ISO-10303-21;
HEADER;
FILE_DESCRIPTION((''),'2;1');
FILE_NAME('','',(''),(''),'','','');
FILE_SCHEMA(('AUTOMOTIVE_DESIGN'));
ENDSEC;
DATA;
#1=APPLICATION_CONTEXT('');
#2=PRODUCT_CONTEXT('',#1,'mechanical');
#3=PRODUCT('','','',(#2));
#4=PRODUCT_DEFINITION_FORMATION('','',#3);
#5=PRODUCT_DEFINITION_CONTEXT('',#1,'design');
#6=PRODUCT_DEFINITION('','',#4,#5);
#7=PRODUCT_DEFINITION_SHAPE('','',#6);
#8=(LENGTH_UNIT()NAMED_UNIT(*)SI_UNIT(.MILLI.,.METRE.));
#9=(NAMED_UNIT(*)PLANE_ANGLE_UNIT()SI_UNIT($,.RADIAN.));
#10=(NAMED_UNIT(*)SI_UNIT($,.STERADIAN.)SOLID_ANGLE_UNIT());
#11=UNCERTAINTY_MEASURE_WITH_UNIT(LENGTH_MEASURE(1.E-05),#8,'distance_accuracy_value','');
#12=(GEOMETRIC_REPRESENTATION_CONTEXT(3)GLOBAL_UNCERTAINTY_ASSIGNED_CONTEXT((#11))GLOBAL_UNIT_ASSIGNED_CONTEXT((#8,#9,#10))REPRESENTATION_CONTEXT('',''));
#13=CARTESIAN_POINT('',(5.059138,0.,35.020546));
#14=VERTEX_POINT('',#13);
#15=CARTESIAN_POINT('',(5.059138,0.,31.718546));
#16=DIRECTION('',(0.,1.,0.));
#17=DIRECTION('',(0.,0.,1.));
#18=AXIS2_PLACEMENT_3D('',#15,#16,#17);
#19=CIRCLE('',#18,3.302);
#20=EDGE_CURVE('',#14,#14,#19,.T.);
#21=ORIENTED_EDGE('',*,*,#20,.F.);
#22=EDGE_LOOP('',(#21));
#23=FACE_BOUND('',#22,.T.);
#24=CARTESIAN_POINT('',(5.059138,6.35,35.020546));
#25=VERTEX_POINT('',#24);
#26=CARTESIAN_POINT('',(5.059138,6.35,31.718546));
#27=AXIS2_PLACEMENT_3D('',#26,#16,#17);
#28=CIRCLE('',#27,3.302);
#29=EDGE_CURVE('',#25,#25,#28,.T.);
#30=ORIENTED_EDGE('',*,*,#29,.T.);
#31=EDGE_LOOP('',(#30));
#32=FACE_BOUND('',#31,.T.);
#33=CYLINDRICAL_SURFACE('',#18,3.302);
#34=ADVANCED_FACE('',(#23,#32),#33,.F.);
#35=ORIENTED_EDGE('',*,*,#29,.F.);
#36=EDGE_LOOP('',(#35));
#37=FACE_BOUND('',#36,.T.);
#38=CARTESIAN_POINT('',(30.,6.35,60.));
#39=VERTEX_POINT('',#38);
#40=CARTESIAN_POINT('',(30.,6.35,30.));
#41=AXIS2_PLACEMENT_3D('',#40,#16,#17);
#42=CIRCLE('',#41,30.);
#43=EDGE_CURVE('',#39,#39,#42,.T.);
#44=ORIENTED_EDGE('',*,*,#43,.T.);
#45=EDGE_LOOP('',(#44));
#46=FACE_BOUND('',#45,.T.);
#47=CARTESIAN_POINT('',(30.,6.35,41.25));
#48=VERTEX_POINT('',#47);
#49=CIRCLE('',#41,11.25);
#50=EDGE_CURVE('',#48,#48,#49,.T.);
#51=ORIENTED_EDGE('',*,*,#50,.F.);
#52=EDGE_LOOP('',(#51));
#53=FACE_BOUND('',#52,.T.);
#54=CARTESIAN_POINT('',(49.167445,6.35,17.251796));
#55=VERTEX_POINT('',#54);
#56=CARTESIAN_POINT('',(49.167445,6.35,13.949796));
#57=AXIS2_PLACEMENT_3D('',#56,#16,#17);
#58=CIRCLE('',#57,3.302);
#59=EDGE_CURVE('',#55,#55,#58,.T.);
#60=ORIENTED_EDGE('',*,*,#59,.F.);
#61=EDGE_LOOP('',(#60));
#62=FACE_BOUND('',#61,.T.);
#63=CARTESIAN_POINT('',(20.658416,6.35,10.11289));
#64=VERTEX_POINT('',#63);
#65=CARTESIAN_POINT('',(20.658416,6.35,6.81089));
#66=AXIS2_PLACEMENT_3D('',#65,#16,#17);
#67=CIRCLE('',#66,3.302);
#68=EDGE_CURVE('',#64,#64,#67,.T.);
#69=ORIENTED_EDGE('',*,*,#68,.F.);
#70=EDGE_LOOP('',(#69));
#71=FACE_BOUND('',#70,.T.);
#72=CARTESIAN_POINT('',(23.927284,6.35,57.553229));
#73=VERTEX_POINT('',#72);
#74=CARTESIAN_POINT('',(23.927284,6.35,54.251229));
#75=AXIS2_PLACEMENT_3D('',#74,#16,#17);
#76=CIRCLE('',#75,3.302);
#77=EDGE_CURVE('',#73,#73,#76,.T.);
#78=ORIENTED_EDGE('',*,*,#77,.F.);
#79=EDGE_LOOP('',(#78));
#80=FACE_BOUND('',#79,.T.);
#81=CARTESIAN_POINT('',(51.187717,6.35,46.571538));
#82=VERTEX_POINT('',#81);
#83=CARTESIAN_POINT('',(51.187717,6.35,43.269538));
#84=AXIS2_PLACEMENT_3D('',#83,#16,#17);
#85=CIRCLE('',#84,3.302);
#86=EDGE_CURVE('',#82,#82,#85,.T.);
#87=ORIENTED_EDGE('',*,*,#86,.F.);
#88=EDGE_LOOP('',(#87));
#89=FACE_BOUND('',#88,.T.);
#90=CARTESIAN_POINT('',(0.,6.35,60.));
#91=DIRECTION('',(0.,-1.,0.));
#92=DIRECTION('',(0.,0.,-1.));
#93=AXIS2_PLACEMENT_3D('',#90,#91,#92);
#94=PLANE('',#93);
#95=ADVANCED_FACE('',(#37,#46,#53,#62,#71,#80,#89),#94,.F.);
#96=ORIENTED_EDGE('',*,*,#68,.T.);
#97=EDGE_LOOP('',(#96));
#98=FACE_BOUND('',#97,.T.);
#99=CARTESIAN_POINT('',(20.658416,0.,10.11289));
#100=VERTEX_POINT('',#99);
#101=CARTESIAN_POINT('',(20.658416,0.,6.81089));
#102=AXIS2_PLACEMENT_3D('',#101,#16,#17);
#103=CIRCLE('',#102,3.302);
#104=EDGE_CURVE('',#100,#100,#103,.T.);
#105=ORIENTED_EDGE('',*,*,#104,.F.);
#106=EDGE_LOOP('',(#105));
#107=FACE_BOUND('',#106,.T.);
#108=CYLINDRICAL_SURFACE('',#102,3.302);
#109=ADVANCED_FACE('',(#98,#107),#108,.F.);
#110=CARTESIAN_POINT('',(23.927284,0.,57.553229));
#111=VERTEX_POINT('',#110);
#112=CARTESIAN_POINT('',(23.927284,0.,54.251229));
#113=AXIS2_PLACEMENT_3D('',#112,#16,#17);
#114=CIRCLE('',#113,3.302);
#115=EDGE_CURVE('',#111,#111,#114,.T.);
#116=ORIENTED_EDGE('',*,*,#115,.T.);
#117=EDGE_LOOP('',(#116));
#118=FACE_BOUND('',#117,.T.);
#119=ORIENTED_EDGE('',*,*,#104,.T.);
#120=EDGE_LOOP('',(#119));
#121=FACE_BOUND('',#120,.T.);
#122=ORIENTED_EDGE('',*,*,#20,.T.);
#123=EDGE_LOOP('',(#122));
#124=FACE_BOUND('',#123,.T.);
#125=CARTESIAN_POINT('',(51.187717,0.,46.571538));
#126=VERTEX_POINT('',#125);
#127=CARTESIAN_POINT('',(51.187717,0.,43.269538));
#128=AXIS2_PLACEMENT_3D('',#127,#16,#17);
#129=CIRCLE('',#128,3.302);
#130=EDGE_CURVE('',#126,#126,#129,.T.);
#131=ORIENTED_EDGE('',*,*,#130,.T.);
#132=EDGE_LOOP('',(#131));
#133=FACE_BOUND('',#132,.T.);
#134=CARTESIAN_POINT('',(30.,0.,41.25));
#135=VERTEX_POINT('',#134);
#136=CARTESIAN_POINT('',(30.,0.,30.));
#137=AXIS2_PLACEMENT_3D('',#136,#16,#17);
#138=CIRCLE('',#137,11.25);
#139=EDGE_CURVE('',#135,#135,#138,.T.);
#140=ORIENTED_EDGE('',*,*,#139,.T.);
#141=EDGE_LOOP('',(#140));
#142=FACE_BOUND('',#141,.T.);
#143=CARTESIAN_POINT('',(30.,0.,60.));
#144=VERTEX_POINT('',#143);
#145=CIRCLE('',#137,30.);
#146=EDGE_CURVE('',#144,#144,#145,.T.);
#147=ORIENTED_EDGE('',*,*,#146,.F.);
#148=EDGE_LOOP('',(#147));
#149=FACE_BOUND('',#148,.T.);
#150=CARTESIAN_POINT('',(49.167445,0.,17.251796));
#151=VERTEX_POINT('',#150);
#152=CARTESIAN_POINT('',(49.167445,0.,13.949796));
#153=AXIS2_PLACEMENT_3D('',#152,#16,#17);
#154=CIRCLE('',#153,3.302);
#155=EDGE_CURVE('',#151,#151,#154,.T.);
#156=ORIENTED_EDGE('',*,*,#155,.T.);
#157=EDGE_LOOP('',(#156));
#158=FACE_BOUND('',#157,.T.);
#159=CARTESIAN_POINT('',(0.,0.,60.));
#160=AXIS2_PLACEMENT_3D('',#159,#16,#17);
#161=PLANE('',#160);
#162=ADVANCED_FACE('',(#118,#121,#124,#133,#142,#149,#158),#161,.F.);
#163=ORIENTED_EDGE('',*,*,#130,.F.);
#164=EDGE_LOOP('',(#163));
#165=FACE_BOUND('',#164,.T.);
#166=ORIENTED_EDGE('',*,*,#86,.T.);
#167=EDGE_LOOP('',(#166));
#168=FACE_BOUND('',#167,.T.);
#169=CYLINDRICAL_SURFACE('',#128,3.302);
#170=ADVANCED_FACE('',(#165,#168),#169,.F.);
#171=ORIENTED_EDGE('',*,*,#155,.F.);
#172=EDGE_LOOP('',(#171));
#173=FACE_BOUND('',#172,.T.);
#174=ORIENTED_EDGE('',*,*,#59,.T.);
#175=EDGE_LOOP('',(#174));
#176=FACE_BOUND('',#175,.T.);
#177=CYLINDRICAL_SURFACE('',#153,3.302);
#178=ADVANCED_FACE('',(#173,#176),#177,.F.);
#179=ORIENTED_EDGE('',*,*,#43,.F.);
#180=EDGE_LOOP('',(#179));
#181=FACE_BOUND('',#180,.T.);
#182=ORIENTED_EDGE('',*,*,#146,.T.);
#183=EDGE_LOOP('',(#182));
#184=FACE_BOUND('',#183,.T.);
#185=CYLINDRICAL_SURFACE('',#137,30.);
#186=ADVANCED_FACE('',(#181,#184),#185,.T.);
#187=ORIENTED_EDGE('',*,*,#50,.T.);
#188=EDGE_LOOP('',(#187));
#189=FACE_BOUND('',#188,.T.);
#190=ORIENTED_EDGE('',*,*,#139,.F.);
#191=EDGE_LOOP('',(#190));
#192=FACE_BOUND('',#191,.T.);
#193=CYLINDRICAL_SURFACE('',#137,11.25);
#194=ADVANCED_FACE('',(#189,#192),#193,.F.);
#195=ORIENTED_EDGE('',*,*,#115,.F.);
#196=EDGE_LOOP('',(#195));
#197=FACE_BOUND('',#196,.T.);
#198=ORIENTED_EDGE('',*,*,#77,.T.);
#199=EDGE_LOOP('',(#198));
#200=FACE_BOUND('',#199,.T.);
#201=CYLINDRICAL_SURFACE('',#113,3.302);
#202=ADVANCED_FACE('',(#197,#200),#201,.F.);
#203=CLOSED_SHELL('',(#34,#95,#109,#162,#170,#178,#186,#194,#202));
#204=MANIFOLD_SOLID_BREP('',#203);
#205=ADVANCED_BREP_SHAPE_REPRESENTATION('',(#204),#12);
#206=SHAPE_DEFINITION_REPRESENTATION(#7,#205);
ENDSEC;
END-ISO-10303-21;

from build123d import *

# Parameters (mm, degrees)
SKETCH3_W           = 60
SKETCH3_H           = 6.35
BOSS_EXTRUDE2_DEPTH = 60
SKETCH4_R           = 11.25
CUT_EXTRUDE2_DEPTH  = 7.35
SKETCH5_R           = 3.302
CUT_EXTRUDE3_DEPTH  = 7.35
CUT_EXTRUDE4_DEPTH  = 7.35


with BuildPart() as part:
    # Sketch3 → Boss-Extrude2 (new body)
    with BuildSketch(Plane.XY):
        with Locations((30, 3.175)):
            Rectangle(SKETCH3_W, SKETCH3_H)
    extrude(amount=BOSS_EXTRUDE2_DEPTH)

    # Sketch4 → Cut-Extrude2 (cut, through all)
    with BuildSketch(Plane(origin=(0, 6.35, 0), x_dir=(1, 0, 0), z_dir=(0, 1, 0))):
        with Locations((30, -30)):
            Circle(SKETCH4_R)
    extrude(amount=-CUT_EXTRUDE2_DEPTH, mode=Mode.SUBTRACT)

    # Sketch5 → Cut-Extrude3 (cut, through all)
    with BuildSketch(Plane(origin=(0, 6.35, 0), x_dir=(1, 0, 0), z_dir=(0, 1, 0))):
        with Locations((20.658415592, -6.810890471)):
            Circle(SKETCH5_R)
        with Locations((49.167445389, -13.949796348)):
            Circle(SKETCH5_R)
        with Locations((51.187717135, -43.269538146)):
            Circle(SKETCH5_R)
        with Locations((23.927283945, -54.251229241)):
            Circle(SKETCH5_R)
        with Locations((5.059137939, -31.718545794)):
            Circle(SKETCH5_R)
    extrude(amount=-CUT_EXTRUDE3_DEPTH, mode=Mode.SUBTRACT)

    # Sketch6 → Cut-Extrude4 (cut, through all)
    with BuildSketch(Plane(origin=(0, 6.35, 0), x_dir=(1, 0, 0), z_dir=(0, 1, 0))):
        with BuildLine():
            ThreePointArc((0, -30), (8.786796564, -8.786796564), (30, 0))
            Line((30, 0), (0, 0))
            Line((0, 0), (0, -30))
        make_face()
        with BuildLine():
            Line((60, -30), (60, 0))
            Line((60, 0), (30, 0))
            ThreePointArc((30, 0), (51.213203436, -8.786796564), (60, -30))
        make_face()
        with BuildLine():
            Line((60, -60), (60, -30))
            ThreePointArc((60, -30), (51.213203436, -51.213203436), (30, -60))
            Line((30, -60), (60, -60))
        make_face()
        with BuildLine():
            ThreePointArc((30, -60), (8.786796564, -51.213203436), (0, -30))
            Line((0, -30), (0, -60))
            Line((0, -60), (30, -60))
        make_face()
    extrude(amount=-CUT_EXTRUDE4_DEPTH, mode=Mode.SUBTRACT)


solid = part.part
